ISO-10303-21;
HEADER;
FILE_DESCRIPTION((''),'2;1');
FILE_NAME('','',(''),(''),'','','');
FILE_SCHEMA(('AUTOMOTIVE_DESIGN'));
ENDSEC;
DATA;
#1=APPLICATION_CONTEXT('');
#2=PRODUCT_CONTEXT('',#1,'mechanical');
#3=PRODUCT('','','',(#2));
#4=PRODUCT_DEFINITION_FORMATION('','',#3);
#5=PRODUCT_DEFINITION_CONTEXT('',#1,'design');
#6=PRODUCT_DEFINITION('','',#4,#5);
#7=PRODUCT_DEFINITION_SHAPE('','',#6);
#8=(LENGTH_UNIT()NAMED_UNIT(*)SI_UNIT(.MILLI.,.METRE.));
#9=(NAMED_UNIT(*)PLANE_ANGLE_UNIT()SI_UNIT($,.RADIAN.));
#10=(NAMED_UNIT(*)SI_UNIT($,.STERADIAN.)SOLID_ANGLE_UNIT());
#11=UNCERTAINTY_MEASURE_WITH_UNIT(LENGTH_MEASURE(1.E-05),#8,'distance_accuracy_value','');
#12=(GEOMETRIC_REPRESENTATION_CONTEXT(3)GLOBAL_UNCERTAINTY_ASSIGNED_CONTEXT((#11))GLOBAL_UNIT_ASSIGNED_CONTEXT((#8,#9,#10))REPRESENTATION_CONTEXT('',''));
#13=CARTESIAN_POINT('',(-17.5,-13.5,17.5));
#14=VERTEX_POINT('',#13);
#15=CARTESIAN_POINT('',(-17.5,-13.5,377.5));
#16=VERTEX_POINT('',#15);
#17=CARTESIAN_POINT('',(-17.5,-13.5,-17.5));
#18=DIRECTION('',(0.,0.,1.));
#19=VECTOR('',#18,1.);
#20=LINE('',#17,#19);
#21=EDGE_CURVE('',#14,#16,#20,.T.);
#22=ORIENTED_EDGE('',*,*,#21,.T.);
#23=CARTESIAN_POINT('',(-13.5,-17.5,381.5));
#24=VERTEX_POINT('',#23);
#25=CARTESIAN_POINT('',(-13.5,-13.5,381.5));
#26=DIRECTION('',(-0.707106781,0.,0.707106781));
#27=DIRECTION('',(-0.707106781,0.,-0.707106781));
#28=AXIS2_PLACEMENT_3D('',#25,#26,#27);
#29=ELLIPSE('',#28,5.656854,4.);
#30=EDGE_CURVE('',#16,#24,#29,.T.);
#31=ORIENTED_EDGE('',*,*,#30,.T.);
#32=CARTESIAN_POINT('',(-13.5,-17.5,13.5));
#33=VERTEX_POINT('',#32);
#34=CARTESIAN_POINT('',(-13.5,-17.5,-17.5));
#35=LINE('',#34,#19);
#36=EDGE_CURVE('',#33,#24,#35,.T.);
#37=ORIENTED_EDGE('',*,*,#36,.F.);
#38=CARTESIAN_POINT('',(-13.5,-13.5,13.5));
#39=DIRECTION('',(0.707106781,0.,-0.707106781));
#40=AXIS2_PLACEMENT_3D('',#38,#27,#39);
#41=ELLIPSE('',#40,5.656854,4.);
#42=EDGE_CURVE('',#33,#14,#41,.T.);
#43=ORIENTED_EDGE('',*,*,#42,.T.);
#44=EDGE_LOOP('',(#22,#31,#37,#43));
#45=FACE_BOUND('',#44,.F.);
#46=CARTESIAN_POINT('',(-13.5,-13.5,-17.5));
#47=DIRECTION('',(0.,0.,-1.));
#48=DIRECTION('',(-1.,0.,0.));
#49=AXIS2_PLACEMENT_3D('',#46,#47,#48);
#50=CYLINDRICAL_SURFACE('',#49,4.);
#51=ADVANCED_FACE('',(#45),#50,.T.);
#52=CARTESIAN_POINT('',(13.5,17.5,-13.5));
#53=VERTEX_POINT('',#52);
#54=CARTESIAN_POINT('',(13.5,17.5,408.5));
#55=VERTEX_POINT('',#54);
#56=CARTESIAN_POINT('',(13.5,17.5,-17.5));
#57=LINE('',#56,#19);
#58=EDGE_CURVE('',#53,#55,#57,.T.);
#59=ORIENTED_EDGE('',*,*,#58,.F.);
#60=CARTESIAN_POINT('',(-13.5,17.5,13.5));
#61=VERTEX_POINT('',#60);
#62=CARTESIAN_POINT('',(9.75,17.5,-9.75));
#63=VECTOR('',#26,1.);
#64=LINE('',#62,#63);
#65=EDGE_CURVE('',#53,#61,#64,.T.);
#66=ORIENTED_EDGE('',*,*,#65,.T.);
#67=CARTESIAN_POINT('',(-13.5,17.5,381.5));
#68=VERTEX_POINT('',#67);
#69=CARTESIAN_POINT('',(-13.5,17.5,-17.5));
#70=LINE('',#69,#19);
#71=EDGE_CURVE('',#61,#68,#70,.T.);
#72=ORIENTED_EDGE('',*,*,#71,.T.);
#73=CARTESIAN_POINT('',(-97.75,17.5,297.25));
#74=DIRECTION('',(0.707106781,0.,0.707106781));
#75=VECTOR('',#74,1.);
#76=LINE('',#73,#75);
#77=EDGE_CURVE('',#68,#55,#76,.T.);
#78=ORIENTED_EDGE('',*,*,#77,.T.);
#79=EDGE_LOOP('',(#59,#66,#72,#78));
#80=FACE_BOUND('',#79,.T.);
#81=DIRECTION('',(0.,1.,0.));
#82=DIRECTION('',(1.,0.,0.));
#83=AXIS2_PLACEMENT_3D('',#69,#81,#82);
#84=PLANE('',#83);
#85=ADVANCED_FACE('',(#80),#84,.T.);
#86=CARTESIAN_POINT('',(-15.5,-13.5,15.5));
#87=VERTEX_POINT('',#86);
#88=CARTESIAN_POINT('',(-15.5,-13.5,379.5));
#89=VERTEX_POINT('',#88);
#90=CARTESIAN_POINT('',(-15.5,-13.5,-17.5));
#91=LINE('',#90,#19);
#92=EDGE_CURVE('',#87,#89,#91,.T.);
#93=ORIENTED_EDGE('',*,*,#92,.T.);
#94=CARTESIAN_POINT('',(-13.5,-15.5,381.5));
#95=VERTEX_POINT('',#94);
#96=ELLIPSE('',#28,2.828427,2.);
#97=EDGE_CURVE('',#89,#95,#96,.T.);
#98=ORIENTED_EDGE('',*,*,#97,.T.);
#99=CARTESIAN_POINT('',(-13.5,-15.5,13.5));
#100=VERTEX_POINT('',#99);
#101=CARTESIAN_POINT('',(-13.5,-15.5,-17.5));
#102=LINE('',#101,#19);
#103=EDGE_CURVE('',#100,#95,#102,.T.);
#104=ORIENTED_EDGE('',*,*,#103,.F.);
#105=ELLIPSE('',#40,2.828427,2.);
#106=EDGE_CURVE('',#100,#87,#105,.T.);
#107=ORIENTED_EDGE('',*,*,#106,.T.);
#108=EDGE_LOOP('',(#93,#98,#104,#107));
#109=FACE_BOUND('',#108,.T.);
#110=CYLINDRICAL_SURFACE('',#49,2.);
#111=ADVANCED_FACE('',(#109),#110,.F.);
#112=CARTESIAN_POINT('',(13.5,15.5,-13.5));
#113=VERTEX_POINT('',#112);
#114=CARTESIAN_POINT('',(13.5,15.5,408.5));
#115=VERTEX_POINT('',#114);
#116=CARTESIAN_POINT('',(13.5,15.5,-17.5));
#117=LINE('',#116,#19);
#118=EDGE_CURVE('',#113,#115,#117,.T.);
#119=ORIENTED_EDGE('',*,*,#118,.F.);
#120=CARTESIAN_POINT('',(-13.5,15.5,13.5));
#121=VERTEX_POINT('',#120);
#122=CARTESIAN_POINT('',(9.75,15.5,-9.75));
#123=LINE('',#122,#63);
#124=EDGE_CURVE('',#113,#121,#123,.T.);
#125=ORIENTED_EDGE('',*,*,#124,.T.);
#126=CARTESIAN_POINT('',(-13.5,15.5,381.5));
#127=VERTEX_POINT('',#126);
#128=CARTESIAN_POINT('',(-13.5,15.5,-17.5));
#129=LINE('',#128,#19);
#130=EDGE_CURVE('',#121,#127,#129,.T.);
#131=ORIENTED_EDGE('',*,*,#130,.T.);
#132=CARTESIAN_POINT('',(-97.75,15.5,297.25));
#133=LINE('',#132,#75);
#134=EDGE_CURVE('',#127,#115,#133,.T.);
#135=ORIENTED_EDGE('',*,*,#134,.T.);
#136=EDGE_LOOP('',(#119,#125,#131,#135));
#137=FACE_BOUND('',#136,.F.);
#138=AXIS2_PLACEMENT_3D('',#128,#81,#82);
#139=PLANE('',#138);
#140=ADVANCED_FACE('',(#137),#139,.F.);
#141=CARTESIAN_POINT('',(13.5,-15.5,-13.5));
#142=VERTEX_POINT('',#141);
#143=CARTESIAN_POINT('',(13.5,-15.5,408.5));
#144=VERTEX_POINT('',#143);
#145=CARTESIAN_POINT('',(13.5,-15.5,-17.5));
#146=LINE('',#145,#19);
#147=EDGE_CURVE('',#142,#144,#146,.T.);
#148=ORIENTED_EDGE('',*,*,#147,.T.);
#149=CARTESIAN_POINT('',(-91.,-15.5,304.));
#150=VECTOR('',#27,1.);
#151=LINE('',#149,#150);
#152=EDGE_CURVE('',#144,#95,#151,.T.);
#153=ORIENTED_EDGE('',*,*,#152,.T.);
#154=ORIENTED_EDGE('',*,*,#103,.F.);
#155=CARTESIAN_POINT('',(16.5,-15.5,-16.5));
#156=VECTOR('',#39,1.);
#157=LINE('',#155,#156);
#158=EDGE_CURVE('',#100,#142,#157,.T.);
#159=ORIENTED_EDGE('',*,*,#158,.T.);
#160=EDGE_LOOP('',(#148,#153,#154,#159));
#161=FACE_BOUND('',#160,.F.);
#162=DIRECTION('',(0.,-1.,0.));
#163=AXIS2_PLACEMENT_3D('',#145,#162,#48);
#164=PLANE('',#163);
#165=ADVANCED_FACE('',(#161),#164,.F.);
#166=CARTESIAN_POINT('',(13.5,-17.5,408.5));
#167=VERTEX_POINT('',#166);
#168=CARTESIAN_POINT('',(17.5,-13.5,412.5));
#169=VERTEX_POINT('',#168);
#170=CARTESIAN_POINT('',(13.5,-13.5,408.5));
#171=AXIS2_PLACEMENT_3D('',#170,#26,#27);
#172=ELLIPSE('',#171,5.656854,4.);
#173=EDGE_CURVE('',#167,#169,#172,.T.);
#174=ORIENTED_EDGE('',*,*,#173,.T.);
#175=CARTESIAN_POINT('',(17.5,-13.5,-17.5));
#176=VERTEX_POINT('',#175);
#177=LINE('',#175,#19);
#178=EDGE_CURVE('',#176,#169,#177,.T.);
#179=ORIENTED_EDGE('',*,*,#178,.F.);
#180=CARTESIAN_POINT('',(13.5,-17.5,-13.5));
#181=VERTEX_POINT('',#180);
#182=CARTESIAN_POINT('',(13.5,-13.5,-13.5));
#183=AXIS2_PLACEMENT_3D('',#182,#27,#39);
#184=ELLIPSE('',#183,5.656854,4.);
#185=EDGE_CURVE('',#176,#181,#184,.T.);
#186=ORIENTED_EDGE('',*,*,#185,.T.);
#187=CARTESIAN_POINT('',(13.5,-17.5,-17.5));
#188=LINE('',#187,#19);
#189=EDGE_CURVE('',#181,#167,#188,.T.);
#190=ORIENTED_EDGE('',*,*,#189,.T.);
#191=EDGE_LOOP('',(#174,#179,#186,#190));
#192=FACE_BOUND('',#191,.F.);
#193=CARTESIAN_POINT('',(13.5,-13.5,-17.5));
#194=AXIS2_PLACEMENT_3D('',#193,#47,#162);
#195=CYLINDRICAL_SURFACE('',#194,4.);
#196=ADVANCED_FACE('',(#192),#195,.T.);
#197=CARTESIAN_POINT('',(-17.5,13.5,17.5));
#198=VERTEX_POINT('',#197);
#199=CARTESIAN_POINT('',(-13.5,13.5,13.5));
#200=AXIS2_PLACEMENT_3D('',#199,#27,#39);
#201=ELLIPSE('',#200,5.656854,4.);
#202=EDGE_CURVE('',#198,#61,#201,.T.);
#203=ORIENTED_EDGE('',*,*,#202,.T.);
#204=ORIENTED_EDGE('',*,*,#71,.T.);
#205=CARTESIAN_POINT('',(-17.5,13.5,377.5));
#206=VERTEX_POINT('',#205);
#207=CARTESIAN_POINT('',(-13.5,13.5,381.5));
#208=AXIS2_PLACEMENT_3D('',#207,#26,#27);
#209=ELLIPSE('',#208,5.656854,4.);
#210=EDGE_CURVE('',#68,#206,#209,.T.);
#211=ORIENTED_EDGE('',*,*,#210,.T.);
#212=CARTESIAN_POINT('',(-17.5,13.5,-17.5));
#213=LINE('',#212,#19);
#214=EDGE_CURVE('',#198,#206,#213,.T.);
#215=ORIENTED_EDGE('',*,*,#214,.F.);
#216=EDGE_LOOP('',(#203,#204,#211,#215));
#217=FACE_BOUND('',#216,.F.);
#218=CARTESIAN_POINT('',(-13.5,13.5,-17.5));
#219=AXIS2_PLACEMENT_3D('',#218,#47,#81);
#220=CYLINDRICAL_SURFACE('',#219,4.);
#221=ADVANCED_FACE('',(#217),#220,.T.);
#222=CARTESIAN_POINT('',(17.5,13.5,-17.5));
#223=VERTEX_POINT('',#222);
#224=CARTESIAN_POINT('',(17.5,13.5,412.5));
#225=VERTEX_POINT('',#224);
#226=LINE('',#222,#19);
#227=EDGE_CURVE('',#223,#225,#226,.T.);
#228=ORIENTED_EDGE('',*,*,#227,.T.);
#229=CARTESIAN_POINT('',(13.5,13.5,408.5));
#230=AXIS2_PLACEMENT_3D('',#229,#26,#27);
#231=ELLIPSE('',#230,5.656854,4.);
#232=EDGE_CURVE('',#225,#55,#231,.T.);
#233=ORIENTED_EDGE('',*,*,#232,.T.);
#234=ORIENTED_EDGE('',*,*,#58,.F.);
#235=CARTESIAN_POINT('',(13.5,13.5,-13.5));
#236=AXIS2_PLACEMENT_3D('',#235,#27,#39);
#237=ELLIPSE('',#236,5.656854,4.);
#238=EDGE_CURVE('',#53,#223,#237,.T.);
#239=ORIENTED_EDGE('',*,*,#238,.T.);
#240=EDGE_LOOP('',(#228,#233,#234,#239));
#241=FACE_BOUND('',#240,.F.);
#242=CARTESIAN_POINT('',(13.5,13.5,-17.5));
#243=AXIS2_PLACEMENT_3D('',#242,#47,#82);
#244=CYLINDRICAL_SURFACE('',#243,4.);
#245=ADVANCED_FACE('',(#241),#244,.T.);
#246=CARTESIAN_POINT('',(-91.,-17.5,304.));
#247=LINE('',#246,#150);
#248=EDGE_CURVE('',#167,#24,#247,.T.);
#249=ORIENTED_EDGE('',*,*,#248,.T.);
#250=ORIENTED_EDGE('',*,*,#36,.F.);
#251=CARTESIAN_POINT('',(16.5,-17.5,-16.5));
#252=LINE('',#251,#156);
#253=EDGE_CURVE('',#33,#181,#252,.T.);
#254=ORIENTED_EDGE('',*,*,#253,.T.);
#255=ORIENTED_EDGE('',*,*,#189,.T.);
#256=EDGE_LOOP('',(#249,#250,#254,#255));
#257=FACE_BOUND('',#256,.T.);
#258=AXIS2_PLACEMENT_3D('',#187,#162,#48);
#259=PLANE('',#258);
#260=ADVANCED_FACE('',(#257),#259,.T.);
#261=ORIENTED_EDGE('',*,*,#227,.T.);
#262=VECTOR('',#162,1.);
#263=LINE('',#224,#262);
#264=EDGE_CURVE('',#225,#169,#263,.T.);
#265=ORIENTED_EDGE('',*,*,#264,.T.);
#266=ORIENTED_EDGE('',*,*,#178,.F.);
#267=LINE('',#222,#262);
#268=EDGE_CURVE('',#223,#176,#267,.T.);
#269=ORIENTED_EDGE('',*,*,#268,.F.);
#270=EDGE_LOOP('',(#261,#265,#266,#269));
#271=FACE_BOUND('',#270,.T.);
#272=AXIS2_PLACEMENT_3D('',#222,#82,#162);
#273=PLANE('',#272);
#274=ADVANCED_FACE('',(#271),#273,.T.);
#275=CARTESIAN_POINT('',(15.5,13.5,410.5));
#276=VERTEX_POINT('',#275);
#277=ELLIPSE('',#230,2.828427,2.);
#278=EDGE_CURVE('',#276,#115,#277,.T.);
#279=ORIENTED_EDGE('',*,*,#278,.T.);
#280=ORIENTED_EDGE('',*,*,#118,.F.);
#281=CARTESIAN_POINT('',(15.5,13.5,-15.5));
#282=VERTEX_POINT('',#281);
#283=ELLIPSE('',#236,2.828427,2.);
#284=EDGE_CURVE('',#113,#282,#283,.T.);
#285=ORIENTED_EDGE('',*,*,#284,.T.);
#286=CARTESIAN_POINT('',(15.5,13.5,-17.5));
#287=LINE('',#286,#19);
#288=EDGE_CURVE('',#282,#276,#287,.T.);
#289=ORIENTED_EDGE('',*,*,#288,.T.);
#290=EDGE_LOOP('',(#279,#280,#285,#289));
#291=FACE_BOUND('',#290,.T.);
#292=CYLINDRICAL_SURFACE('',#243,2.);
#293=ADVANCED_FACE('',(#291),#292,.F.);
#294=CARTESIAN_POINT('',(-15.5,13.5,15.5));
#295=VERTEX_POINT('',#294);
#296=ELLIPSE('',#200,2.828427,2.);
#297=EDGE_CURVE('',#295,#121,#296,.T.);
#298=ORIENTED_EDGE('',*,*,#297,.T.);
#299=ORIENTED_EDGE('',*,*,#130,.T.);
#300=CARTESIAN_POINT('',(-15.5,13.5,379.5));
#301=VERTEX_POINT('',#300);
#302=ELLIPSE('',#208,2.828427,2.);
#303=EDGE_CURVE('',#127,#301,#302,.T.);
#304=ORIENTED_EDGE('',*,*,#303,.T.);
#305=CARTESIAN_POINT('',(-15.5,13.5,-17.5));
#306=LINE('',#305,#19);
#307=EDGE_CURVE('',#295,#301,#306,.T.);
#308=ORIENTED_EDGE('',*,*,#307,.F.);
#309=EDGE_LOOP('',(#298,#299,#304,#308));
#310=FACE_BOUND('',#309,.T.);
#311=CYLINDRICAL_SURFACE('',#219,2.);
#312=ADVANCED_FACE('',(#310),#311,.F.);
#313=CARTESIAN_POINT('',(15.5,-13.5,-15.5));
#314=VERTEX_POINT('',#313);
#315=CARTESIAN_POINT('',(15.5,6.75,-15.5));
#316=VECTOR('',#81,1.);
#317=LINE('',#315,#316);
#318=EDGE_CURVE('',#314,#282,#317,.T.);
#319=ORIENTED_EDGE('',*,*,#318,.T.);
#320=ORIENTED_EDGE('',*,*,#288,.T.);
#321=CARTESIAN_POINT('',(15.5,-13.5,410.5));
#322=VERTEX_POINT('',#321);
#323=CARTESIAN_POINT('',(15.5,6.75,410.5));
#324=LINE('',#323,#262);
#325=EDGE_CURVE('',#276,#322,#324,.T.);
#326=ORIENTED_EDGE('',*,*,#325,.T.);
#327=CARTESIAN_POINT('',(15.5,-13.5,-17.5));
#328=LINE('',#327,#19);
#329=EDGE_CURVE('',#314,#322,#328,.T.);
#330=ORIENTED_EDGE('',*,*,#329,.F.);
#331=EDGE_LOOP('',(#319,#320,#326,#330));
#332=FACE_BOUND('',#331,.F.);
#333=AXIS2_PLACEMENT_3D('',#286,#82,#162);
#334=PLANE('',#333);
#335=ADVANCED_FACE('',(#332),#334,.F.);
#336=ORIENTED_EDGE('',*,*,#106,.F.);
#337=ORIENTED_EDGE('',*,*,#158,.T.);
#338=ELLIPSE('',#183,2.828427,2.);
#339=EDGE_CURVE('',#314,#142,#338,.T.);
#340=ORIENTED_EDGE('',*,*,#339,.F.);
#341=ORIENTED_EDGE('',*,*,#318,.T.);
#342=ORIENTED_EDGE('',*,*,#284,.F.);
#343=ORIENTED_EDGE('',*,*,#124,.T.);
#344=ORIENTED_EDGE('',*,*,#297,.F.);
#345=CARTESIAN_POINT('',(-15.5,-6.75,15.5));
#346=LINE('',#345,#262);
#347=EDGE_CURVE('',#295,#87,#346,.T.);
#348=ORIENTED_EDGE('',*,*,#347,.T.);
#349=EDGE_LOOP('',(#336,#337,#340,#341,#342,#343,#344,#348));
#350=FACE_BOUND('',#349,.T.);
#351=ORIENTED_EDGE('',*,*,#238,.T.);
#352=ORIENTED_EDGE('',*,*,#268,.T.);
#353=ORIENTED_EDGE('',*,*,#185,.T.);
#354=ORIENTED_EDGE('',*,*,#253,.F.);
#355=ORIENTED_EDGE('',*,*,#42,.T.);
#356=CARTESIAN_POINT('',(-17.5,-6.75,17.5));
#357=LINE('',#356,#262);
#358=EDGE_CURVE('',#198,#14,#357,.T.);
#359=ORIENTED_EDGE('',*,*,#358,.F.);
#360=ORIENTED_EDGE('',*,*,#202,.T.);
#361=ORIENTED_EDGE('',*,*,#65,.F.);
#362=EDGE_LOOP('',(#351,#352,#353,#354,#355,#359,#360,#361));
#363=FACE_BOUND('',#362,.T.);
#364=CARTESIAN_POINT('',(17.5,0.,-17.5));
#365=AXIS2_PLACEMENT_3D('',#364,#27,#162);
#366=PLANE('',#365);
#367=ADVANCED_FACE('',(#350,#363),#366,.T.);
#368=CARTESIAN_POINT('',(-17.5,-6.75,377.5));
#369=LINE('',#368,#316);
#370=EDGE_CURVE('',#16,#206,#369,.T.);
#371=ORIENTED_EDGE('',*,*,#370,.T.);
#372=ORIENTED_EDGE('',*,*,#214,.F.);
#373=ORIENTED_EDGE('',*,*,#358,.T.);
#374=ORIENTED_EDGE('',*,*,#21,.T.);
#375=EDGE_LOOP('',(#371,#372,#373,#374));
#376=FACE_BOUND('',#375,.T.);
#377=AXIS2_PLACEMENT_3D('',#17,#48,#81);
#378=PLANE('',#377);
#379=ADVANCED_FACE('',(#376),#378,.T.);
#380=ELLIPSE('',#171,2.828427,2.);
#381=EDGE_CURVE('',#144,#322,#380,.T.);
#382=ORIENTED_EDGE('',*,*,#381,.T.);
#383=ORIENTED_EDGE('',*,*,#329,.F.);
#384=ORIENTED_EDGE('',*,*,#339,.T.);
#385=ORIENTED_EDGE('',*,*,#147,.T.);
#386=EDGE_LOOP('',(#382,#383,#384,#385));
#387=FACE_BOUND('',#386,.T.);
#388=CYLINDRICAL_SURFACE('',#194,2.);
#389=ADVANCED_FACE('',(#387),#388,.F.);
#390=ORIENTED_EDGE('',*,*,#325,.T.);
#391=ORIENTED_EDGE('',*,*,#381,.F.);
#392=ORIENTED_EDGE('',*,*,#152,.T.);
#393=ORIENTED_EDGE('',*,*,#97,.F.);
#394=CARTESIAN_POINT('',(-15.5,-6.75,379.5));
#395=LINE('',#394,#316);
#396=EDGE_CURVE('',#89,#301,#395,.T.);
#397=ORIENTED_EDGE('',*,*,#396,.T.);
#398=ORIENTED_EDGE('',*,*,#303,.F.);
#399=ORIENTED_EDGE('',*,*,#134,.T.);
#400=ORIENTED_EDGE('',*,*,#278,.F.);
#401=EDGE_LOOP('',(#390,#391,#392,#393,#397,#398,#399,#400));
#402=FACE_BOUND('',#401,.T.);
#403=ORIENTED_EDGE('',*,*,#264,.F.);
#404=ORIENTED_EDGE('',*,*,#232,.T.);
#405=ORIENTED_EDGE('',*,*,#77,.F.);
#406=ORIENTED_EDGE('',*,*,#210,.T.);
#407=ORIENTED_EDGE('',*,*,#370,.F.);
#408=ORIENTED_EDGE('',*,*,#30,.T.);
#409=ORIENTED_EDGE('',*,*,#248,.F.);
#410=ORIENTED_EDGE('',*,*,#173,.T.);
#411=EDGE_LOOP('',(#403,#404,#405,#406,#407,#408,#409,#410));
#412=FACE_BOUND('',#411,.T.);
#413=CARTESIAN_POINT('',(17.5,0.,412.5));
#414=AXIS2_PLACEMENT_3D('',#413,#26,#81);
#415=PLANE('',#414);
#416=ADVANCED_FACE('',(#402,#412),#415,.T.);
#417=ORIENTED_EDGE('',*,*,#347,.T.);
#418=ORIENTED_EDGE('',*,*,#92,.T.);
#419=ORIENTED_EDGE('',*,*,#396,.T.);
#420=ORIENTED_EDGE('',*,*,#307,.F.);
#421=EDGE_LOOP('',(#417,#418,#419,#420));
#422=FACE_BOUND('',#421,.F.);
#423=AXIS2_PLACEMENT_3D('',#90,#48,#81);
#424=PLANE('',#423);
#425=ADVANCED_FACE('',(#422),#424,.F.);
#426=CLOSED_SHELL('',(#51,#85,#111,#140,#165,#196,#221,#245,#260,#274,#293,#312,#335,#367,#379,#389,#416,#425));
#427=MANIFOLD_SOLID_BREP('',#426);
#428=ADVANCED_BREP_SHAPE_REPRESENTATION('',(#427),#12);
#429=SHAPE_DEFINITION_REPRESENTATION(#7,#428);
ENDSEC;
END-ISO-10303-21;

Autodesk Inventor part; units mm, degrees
ref_plane "Start plane" through (0, 0, -17.5) normal (0, 0, 1) x (1, 0, 0)
ref_plane "End plane" through (0, 0, 412.5) normal (0, 0, 1) x (1, 0, 0)
sketch "Sketch" plane through (0, 0, 0) normal (0, 0, 1) x (1, 0, 0)
  line L0 (-17.5, -13.5) -> (-17.5, 13.5)
  line L1 (-13.5, 17.5) -> (13.5, 17.5)
  line L2 (17.5, 13.5) -> (17.5, -13.5)
  line L3 (13.5, -17.5) -> (-13.5, -17.5)
  arc A0 (-17.5, -13.5) -> (-13.5, -17.5) centre (-13.5, -13.5) ccw
  arc A1 (-13.5, 17.5) -> (-17.5, 13.5) centre (-13.5, 13.5) ccw
  arc A2 (17.5, 13.5) -> (13.5, 17.5) centre (13.5, 13.5) ccw
  arc A3 (13.5, -17.5) -> (17.5, -13.5) centre (13.5, -13.5) ccw
  arc A4 (-13.5, 15.5) -> (-15.5, 13.5) centre (-13.5, 13.5) ccw
  line L4 (-13.5, 15.5) -> (13.5, 15.5)
  arc A5 (15.5, 13.5) -> (13.5, 15.5) centre (13.5, 13.5) ccw
  line L5 (15.5, 13.5) -> (15.5, -13.5)
  arc A6 (13.5, -15.5) -> (15.5, -13.5) centre (13.5, -13.5) ccw
  line L6 (13.5, -15.5) -> (-13.5, -15.5)
  arc A7 (-15.5, -13.5) -> (-13.5, -15.5) centre (-13.5, -13.5) ccw
  line L7 (-15.5, -13.5) -> (-15.5, 13.5)
  line L8 (0, 25.6598) -> (0, -25.6598) construction
  line L9 (-25.6598, 0) -> (25.6598, 0) construction
  dimension "d7" = 4
  dimension "d10" = 35
  dimension "d11" = 35
  dimension "d12" = 2
  dimension "d15" = 17.5
  dimension "d16" = 17.5
extrude "Body" add sketch "Sketch" along normal up to surface (430 mm away) from surface at -17.5
sketch "Sketch3" plane through (0, 0, 0) normal (0, 0, 1) x (1, 0, 0)
  line L0 (0, 0) -> (10, 0)
ref_plane "Work Plane3" through (0, 0, 0) normal (0, -1, 0) x (1, 0, 0)
sketch "Sketch4" plane through (0, 0, 0) normal (0, -1, 0) x (1, 0, 0)
  line L0 (-2, -17.5) -> (12, -17.5)
  line L1 (-2, 412.5) -> (12, 412.5)
  dimension "d18" = 430
ref_plane "Work Plane9" through (17.5, 0, -17.5) normal (-0.7071, 0, -0.7071) x (-0.7071, 0, 0.7071)
split "Split3" plane through (17.5, 0, -17.5) removes the side toward (-0.7071, 0, -0.7071)
ref_plane "Work Plane10" through (17.5, 0, 412.5) normal (-0.7071, 0, 0.7071) x (0.7071, 0, 0.7071)
split "Split4" plane through (17.5, 0, 412.5) removes the side toward (-0.7071, 0, 0.7071)
equation "\"d7\" = G_IR"
equation "\"d10\" = G_H"
equation "\"d11\" = G_W"
equation "\"d12\" = G_T"
equation "\"d15\" = 0.5 * d10"
equation "\"d16\" = 0.5 * d11"
equation "\"d3\" = G_L"
equation "\"G_W\" = 35"
equation "\"G_H\" = 35"
equation "\"G_T\" = 2"
equation "\"G_IR\" = 4"
equation "\"G_L\" = d18"
equation "\"G_OFFSET_START\" = 17.5"
equation "\"G_OFFSET_END\" = 17.5"
equation "\"d13\" = -G_OFFSET_START"
equation "\"d14\" = G_OFFSET_END + B_L"
equation "\"B_L\" = 395"
properties part number "AS 1163 - C350L0 35x35x2.0 SHS - 430" material "Steel, Mild"
